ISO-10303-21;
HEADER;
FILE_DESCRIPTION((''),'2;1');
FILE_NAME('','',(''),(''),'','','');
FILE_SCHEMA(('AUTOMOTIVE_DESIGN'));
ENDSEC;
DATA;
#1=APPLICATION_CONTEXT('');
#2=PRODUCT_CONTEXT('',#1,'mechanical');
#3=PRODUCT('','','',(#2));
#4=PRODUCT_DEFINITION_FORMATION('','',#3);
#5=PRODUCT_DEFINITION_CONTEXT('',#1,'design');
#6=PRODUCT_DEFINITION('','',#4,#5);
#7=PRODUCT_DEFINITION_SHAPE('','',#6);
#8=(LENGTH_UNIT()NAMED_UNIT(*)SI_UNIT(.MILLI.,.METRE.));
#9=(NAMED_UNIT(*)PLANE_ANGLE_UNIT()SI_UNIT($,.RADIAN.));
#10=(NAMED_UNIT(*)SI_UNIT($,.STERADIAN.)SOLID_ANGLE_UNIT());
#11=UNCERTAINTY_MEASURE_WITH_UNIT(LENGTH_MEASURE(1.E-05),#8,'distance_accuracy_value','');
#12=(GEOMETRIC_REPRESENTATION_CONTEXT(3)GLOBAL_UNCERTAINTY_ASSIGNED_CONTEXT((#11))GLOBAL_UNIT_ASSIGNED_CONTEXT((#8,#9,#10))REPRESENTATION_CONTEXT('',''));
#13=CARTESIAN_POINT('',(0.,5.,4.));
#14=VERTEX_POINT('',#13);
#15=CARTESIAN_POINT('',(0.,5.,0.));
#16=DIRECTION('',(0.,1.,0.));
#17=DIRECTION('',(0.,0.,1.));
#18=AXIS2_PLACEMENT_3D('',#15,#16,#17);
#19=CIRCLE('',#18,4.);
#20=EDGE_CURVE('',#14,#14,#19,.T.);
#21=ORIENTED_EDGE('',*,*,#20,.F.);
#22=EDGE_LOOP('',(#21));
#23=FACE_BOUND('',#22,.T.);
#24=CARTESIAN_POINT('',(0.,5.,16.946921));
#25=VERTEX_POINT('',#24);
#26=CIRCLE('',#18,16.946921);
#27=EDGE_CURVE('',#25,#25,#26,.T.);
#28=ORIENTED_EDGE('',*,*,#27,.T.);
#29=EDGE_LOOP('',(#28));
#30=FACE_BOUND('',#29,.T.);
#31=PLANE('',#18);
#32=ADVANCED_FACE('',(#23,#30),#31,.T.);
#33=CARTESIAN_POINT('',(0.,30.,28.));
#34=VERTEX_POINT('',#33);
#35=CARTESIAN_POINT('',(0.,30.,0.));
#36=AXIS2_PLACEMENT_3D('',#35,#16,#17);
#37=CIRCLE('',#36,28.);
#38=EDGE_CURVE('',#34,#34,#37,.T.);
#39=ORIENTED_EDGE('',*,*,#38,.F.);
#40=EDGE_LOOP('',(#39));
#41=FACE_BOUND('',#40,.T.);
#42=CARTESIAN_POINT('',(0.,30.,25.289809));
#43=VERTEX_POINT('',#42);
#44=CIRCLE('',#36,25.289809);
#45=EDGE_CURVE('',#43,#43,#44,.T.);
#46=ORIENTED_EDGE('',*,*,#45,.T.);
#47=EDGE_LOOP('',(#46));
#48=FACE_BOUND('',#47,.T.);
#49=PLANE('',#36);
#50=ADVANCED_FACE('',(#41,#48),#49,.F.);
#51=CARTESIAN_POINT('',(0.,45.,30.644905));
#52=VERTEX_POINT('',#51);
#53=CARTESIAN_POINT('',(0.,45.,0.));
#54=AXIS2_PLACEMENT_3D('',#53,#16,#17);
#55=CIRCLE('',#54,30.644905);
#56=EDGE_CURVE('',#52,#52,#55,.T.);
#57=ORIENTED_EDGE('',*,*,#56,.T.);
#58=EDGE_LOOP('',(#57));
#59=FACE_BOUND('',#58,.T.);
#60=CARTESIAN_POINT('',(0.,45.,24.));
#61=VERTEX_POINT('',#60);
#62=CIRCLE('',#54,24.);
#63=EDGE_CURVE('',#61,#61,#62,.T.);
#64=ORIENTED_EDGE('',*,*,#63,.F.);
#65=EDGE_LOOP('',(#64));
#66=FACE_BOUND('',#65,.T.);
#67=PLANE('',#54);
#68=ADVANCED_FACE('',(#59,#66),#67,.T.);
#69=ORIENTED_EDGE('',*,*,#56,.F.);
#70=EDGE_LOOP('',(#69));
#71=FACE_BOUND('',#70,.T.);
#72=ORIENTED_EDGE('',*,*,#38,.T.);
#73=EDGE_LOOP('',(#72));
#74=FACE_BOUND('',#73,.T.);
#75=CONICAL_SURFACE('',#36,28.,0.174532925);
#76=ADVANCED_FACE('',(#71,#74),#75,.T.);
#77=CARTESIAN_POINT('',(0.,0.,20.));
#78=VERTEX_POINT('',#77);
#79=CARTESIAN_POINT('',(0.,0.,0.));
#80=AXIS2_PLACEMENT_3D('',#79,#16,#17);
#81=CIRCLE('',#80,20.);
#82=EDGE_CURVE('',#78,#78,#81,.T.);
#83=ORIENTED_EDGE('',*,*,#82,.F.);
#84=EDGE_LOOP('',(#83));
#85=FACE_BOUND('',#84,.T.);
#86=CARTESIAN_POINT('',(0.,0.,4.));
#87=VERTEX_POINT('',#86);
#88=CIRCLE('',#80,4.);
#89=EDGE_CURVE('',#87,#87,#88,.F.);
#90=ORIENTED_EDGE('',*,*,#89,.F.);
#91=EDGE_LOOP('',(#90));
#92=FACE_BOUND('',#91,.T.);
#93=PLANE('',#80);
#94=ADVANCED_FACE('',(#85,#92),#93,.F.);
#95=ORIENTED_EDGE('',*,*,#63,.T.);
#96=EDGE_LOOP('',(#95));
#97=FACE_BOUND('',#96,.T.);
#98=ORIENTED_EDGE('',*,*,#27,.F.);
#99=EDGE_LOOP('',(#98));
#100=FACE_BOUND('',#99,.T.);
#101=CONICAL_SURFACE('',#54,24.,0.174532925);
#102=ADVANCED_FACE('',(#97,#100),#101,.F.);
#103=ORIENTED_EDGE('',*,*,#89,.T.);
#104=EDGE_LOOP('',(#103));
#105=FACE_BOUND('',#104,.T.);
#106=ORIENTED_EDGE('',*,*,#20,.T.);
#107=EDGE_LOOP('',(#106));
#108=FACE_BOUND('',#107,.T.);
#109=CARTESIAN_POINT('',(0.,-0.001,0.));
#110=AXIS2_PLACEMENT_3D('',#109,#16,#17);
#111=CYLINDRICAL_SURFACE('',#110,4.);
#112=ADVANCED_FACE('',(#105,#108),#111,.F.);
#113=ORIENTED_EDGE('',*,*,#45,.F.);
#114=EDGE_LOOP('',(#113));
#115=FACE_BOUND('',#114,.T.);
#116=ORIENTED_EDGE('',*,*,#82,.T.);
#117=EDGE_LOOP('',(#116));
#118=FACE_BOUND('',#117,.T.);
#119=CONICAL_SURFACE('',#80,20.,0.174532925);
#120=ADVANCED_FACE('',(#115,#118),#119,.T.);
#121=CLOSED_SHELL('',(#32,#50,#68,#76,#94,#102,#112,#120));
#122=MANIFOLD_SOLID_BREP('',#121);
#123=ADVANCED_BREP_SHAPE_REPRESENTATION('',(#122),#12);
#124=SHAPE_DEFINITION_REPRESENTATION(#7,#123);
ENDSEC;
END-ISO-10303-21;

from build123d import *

# Parameters (mm, degrees)
SKETCH1_R           = 20
BOSS_EXTRUDE1_DEPTH = 30
BOSS_EXTRUDE1_DRAFT = -10
SKETCH5_R           = 28
BOSS_EXTRUDE3_DEPTH = 15
BOSS_EXTRUDE3_DRAFT = -10
SKETCH6_R           = 24
CUT_EXTRUDE3_DEPTH  = 40
CUT_EXTRUDE3_DRAFT  = -10
CUT_EXTRUDE4_REACH  = 60.976
SKETCH7_R           = 4


with BuildPart() as part:
    # Sketch1 → Boss-Extrude1 (with draft: the straight prism first)
    with BuildSketch(Plane(origin=(0, 0, 0), x_dir=(1, 0, 0), z_dir=(0, 1, 0))):
        Circle(SKETCH1_R)
    extrude(amount=BOSS_EXTRUDE1_DEPTH)
    # Boss-Extrude1: the draft: its side faces are tilted about the plane it starts from
    boss_extrude1_sides = [part.faces().sort_by_distance(p)[0] for p in [
        (-20, 15, 0),
    ]]
    draft(boss_extrude1_sides, Plane(origin=(0, 0, 0), x_dir=(1, 0, 0), z_dir=(0, 1, 0)), BOSS_EXTRUDE1_DRAFT)


with BuildPart() as boss_extrude3_tool:
    # Sketch5 → Boss-Extrude3 (with draft: the straight prism first)
    with BuildSketch(Plane(origin=(0, 30, 0), x_dir=(1, 0, 0), z_dir=(0, 1, 0))):
        Circle(SKETCH5_R)
    extrude(amount=BOSS_EXTRUDE3_DEPTH)
    # Boss-Extrude3: the draft: its side faces are tilted about the plane it starts from
    boss_extrude3_sides = [boss_extrude3_tool.faces().sort_by_distance(p)[0] for p in [
        (-28, 37.5, 0),
    ]]
    draft(boss_extrude3_sides, Plane(origin=(0, 30, 0), x_dir=(1, 0, 0), z_dir=(0, 1, 0)), BOSS_EXTRUDE3_DRAFT)


with BuildPart() as part_1:
    add(part.part)

    # Boss-Extrude3: add boss_extrude3_tool
    add(boss_extrude3_tool.part)


with BuildPart() as cut_extrude3_tool:
    # Sketch6 → Cut-Extrude3 (with draft: the straight prism first)
    with BuildSketch(Plane(origin=(0, 45, 0), x_dir=(1, 0, 0), z_dir=(0, 1, 0))):
        Circle(SKETCH6_R)
    extrude(amount=-CUT_EXTRUDE3_DEPTH)
    # Cut-Extrude3: the draft: its side faces are tilted about the plane it starts from
    cut_extrude3_sides = [cut_extrude3_tool.faces().sort_by_distance(p)[0] for p in [
        (-24, 25, 0),
    ]]
    draft(cut_extrude3_sides, Plane(origin=(0, 45, 0), x_dir=(1, 0, 0), z_dir=(0, 1, 0)), CUT_EXTRUDE3_DRAFT)


with BuildPart() as part_2:
    add(part_1.part)

    # Cut-Extrude3: cut by cut_extrude3_tool
    add(cut_extrude3_tool.part, mode=Mode.SUBTRACT)

    # Sketch7 → Cut-Extrude4 (cut, up to next)
    with BuildSketch(Plane(origin=(0, 5, 0), x_dir=(1, 0, 0), z_dir=(0, 1, 0)), mode=Mode.PRIVATE) as cut_extrude4_sk1:
        with Locations(Location((0, 0, 0), (0, 0, 270))):
            Circle(SKETCH7_R)
    cut_extrude4_tool1 = extrude(cut_extrude4_sk1.sketch, amount=-CUT_EXTRUDE4_REACH, mode=Mode.PRIVATE) & part_2.part
    add(cut_extrude4_tool1.solids().sort_by_distance((0, 5, 0))[0], mode=Mode.SUBTRACT)


solid = part_2.part
